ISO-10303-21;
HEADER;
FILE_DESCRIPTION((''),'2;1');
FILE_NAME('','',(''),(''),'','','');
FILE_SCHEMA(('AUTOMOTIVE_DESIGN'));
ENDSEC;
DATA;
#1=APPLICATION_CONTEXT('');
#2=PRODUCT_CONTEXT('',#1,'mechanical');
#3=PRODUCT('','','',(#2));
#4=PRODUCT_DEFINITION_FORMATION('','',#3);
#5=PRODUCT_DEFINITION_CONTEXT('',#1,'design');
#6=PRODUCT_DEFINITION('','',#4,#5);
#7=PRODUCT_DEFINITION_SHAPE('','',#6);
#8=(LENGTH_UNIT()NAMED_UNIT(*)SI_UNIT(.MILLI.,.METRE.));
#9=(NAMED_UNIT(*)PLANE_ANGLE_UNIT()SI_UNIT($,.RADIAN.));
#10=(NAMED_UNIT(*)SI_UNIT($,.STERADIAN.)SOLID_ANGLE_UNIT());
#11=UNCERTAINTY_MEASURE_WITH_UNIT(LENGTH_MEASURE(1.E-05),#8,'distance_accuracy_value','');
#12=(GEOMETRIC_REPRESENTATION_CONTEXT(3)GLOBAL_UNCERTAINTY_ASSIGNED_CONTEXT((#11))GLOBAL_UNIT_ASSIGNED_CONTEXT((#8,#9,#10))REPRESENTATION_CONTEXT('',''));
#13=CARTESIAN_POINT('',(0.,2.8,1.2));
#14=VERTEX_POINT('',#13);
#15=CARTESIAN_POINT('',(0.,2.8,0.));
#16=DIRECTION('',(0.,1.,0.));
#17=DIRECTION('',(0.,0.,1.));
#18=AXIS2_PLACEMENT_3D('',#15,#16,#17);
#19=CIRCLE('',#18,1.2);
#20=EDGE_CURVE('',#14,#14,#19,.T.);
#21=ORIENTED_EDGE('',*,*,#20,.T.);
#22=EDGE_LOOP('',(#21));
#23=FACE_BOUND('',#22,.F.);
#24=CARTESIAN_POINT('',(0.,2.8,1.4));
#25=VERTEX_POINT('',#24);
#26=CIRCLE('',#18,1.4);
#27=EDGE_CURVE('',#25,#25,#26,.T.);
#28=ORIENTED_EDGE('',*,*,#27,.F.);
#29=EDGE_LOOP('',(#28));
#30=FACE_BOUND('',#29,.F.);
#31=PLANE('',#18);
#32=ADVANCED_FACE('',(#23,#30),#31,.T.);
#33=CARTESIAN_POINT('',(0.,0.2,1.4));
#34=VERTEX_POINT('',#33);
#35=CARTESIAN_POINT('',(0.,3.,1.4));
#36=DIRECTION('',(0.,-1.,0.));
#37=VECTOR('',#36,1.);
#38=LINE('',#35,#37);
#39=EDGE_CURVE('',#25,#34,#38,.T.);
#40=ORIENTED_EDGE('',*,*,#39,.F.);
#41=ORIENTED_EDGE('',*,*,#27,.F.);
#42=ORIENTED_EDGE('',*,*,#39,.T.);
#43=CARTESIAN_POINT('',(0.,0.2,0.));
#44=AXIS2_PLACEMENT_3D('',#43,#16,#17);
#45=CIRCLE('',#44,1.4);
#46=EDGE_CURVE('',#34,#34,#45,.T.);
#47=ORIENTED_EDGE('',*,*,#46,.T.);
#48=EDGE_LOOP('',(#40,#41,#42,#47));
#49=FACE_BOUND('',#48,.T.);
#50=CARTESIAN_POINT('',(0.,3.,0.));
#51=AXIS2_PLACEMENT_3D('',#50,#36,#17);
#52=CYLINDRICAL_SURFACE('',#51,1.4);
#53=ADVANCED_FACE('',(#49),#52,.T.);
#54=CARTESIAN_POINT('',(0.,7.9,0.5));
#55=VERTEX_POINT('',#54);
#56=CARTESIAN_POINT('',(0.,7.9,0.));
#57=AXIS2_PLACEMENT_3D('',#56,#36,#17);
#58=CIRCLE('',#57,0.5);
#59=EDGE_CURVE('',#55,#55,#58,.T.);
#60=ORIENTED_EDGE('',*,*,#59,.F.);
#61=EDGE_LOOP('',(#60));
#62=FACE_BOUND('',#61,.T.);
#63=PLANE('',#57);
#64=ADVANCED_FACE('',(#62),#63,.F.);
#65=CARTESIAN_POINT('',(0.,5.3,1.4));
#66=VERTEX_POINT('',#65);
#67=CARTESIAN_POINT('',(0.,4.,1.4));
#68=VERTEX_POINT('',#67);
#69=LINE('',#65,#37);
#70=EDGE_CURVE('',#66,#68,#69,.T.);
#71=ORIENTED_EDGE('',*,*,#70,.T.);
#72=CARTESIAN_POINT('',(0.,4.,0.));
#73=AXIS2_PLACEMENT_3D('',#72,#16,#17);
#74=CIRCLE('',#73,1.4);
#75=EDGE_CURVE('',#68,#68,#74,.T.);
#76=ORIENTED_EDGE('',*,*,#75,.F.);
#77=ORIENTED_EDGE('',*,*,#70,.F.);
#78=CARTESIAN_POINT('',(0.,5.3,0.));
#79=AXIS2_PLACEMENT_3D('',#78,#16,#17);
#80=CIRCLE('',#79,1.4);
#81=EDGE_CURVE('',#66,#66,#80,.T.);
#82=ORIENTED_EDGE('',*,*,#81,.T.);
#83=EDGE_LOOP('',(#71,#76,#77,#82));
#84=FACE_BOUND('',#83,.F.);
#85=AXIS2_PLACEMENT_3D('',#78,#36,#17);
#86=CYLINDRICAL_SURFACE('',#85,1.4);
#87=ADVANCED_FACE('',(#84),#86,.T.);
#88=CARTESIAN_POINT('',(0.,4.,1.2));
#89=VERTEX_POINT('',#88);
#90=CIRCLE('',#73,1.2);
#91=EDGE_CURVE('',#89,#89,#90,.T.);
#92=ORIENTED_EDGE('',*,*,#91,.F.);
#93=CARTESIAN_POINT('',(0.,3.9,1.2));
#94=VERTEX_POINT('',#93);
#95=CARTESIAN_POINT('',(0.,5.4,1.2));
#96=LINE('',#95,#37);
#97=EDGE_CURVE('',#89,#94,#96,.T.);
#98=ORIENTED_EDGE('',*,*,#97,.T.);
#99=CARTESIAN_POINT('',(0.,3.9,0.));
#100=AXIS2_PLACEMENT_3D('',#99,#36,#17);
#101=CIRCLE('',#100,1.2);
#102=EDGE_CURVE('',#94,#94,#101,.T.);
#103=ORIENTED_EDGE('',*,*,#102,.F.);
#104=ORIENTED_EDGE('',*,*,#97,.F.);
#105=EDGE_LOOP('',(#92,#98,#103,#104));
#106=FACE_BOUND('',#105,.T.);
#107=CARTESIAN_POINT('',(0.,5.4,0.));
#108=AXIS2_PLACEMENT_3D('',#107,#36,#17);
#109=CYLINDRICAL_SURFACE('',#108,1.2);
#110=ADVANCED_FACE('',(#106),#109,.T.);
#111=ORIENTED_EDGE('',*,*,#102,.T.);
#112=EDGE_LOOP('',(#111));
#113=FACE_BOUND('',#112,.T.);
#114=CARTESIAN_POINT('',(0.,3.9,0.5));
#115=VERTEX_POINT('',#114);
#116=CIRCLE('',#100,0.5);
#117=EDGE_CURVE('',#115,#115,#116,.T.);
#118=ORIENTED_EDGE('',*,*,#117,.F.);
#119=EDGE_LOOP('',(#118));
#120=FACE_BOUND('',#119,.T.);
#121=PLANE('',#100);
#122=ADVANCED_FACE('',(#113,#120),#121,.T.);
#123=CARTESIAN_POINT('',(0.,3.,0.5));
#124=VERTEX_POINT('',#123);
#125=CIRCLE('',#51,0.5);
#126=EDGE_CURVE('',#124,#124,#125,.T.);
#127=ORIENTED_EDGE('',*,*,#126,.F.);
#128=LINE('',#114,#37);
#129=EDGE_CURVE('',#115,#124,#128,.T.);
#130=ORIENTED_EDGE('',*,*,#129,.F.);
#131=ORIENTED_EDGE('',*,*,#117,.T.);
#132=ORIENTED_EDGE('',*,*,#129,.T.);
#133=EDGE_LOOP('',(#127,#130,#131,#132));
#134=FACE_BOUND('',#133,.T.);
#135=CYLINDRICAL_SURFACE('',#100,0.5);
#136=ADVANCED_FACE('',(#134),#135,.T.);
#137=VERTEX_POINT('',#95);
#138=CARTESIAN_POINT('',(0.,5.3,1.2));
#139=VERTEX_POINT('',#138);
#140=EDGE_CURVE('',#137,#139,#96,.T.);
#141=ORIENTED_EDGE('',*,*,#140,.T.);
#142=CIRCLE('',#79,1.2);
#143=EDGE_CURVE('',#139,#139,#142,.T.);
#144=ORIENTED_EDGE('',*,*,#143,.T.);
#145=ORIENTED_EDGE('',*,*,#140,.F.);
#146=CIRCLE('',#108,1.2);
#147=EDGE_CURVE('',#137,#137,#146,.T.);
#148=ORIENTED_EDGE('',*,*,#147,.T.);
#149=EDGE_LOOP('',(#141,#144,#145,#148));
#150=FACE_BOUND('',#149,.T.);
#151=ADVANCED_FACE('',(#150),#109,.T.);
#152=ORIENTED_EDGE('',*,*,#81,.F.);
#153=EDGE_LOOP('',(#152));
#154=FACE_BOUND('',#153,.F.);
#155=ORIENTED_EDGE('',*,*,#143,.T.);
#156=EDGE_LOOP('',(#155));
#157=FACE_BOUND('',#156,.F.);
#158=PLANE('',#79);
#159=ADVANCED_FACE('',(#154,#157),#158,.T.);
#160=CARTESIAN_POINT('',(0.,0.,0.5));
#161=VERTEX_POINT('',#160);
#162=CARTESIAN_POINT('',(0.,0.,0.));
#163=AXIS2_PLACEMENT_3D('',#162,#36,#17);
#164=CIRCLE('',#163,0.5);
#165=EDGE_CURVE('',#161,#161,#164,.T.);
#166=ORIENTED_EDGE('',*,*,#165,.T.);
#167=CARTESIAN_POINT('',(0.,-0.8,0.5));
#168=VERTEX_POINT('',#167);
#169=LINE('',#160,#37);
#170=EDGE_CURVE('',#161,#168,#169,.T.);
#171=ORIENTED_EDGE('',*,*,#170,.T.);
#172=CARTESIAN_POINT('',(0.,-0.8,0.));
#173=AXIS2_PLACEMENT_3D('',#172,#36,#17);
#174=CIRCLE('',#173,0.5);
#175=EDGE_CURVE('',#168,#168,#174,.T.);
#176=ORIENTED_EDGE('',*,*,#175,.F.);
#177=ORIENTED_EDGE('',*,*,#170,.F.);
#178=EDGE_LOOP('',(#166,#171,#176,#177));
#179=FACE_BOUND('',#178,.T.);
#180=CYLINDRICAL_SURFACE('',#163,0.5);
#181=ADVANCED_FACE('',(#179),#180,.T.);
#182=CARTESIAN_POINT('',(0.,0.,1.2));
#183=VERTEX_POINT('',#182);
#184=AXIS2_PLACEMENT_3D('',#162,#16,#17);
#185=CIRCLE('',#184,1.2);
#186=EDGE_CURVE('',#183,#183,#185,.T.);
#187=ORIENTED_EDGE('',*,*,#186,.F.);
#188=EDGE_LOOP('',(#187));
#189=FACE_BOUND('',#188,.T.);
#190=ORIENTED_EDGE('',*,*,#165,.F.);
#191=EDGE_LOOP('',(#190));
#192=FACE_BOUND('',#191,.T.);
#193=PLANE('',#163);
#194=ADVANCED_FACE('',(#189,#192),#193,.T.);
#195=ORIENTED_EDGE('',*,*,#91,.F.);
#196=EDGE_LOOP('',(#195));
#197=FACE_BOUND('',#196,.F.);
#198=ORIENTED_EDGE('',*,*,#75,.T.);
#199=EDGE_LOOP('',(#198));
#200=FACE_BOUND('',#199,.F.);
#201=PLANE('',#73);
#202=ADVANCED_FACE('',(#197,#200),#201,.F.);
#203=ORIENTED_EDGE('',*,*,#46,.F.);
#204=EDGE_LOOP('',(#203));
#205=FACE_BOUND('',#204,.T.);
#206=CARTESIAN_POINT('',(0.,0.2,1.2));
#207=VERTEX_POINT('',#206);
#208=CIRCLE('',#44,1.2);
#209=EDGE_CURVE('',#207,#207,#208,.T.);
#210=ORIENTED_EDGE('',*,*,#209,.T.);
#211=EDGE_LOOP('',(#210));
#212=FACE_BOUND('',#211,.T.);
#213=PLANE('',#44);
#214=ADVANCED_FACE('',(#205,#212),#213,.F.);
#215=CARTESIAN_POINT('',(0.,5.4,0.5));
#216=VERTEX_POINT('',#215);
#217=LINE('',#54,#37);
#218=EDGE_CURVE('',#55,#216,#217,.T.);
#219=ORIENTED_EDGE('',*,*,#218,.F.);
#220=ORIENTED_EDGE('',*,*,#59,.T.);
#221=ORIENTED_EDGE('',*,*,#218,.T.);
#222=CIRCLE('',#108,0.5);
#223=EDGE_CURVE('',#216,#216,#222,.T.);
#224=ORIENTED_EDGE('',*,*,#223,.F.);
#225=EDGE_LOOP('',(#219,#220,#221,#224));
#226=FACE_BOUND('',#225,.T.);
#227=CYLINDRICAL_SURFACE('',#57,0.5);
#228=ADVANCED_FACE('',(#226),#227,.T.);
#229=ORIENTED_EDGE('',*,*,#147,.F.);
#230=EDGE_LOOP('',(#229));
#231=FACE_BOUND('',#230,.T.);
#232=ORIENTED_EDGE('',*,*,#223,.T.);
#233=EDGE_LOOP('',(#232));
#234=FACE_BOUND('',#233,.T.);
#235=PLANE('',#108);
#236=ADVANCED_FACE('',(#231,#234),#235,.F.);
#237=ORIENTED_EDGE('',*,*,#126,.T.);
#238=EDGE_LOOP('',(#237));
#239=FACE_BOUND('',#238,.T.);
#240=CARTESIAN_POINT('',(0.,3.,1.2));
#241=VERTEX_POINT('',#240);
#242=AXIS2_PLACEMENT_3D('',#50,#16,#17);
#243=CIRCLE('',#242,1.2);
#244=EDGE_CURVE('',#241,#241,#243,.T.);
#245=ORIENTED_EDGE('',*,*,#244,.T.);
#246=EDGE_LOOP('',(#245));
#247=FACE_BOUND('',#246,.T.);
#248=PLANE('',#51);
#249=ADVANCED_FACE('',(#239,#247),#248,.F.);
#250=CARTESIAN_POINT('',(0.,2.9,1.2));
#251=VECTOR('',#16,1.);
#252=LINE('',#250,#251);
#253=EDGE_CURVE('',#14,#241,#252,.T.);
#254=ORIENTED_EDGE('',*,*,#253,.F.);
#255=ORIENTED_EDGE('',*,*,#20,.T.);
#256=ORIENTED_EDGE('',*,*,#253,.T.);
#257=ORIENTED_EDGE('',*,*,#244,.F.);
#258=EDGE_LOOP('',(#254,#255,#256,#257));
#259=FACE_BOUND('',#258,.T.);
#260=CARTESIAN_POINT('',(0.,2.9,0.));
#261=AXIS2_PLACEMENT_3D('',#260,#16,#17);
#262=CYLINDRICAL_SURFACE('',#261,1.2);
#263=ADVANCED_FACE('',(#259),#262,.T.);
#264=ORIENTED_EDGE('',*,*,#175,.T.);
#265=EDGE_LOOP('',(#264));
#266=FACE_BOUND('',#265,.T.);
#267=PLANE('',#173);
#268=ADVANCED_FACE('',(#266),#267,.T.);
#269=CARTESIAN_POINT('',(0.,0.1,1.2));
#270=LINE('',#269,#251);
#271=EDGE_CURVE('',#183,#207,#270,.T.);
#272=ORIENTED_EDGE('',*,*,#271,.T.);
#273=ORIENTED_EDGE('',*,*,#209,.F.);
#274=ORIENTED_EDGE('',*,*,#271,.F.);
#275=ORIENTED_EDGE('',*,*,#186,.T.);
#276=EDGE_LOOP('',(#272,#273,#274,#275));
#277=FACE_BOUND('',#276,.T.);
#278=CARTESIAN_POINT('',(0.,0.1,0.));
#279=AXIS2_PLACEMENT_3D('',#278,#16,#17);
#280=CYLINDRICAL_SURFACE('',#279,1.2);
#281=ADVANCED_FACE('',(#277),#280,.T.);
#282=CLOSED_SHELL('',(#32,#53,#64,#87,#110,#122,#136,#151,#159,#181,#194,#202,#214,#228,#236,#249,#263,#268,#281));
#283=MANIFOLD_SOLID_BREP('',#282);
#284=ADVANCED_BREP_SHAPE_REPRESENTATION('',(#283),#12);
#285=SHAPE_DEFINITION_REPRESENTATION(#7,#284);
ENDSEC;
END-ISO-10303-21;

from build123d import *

# Parameters (mm, degrees)
F2_W = 0.2
F2_H = 0.2


with BuildPart() as f1:
    # F0 (on Right) → F1 (revolve)
    with BuildSketch(Plane.YZ):
        Polygon((-0.8, 0.5), (-0.8, 0), (7.9, 0), (7.9, 0.5), (5.4, 0.5), (5.4, 1.2), (3.9, 1.2), (3.9, 0.5), (3, 0.5), (3, 1.4), (0, 1.4), (0, 0.5), align=None)
    revolve(axis=Axis((0, 3.55, 0), (0, -1, 0)))

    # F2 (on Right) → F3 (revolve, cut)
    with BuildSketch(Plane.YZ):
        with Locations((2.9, 1.3)):
            Rectangle(F2_W, F2_H)
        with Locations((0.1, 1.3)):
            Rectangle(F2_W, F2_H)
    revolve(axis=Axis((0, 1.5, 0), (0, 1, 0)), mode=Mode.SUBTRACT)

    # F4 (on Right) → F5 (revolve)
    with BuildSketch(Plane.YZ):
        Polygon((4, 1.4), (4, 1.2), (4.9, 1.2), (5.3, 1.2), (5.3, 1.4), align=None)
    revolve(axis=Axis((0, 4.65, 0), (0, 1, 0)))


solid = f1.part
